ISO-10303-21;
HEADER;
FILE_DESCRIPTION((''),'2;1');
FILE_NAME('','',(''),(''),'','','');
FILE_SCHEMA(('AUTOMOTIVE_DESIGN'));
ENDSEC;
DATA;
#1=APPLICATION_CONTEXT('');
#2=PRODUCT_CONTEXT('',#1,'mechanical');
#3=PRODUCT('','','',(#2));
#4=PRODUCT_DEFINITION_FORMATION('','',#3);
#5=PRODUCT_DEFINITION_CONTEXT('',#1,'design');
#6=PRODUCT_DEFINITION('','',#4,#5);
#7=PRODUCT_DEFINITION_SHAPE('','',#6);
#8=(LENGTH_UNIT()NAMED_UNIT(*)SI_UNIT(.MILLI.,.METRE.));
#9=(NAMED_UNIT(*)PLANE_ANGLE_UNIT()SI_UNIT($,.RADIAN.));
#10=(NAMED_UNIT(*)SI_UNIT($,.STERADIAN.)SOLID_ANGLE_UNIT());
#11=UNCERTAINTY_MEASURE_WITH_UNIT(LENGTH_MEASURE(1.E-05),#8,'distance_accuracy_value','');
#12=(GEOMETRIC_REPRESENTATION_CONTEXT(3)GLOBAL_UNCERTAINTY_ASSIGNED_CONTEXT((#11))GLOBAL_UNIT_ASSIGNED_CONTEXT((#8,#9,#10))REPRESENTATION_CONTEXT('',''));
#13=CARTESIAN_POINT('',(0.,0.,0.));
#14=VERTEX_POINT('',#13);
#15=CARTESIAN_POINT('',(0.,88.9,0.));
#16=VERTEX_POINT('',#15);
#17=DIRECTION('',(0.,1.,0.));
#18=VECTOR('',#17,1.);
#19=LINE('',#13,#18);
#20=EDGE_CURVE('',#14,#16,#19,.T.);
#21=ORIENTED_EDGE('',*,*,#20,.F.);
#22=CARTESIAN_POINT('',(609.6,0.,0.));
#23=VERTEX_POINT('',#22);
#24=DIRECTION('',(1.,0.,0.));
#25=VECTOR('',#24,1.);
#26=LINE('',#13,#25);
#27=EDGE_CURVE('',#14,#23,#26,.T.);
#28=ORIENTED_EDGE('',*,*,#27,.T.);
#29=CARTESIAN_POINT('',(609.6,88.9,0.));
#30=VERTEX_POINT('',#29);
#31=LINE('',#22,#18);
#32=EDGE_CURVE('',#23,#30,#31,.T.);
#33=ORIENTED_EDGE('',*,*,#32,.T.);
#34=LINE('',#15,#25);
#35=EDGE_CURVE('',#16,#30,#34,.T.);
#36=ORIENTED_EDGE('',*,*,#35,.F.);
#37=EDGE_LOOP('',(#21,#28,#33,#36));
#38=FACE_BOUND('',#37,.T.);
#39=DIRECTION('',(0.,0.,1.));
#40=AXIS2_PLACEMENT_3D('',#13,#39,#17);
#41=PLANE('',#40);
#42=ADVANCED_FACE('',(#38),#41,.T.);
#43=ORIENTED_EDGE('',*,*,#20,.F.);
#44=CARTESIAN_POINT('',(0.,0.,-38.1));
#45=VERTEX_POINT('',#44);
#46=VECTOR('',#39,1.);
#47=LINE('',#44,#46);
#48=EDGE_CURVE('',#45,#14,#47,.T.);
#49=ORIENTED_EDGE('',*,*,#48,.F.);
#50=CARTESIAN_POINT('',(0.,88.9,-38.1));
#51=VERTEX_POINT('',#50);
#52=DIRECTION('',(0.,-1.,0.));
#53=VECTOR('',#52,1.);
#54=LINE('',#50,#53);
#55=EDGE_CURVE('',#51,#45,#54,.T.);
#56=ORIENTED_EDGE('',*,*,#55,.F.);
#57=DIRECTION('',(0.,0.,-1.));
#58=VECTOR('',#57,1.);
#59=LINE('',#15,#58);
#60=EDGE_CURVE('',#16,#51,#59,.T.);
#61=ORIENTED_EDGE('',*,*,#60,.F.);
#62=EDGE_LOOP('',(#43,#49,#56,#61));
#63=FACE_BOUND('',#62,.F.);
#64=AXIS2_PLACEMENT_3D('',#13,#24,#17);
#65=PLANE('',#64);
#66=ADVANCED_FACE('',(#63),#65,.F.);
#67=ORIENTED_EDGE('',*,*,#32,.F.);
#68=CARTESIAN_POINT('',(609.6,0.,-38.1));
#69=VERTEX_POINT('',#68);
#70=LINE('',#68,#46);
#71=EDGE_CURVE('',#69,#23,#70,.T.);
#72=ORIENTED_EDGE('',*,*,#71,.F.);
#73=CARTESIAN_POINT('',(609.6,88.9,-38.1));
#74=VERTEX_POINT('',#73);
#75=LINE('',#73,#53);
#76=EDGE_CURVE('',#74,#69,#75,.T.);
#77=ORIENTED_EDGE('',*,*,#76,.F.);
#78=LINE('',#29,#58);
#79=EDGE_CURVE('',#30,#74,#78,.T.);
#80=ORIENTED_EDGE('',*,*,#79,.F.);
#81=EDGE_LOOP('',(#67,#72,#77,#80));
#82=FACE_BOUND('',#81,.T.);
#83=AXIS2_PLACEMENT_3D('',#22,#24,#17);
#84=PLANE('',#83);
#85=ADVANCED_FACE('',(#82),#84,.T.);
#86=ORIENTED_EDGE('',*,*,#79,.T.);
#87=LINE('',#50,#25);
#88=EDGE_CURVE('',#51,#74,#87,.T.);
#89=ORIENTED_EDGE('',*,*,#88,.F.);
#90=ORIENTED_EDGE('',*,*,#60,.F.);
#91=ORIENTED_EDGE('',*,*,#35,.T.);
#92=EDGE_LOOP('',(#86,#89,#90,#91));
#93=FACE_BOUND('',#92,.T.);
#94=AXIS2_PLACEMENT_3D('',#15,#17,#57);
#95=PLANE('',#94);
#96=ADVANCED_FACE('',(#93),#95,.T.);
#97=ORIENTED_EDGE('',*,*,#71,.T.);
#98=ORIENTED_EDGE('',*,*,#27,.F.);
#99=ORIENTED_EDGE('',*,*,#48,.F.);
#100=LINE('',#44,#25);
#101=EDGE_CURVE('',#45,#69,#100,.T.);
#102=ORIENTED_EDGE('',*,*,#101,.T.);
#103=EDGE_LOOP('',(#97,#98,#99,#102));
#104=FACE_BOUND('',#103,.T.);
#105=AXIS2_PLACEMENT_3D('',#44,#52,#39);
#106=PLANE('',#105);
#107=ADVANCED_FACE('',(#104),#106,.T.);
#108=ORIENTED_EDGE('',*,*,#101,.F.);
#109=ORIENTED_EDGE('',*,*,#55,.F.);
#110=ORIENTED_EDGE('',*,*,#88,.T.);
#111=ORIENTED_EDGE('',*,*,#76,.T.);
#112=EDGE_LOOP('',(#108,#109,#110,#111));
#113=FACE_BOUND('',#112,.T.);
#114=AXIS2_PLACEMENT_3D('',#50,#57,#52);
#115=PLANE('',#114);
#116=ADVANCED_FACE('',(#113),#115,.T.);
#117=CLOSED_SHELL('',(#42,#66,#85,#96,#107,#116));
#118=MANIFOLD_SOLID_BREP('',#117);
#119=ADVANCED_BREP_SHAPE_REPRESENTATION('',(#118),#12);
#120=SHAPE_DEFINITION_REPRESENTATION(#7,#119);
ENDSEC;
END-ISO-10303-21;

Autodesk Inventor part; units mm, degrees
ref_plane "YZ Plane" through (0, 0, 0) normal (1, 0, 0) x (0, 1, 0)
ref_plane "XZ Plane" through (0, 0, 0) normal (0, 1, 0) x (-1, 0, 0)
ref_plane "XY Plane" through (0, 0, 0) normal (0, 0, 1) x (1, 0, 0)
sketch "Sketch1" plane through (0, 0, 0) normal (1, 0, 0) x (0, 1, 0)
  line L0 (0, 0) -> (88.9, 0)
  line L1 (88.9, 0) -> (88.9, -38.1)
  line L2 (88.9, -38.1) -> (0, -38.1)
  line L3 (0, -38.1) -> (0, 0)
  dimension "d0" = 38.1
  dimension "d1" = 88.9
extrude "Extrusion1" add sketch "Sketch1" along normal blind 609.6
properties part number "H7bd-1" material "Wood (Cherry)"
